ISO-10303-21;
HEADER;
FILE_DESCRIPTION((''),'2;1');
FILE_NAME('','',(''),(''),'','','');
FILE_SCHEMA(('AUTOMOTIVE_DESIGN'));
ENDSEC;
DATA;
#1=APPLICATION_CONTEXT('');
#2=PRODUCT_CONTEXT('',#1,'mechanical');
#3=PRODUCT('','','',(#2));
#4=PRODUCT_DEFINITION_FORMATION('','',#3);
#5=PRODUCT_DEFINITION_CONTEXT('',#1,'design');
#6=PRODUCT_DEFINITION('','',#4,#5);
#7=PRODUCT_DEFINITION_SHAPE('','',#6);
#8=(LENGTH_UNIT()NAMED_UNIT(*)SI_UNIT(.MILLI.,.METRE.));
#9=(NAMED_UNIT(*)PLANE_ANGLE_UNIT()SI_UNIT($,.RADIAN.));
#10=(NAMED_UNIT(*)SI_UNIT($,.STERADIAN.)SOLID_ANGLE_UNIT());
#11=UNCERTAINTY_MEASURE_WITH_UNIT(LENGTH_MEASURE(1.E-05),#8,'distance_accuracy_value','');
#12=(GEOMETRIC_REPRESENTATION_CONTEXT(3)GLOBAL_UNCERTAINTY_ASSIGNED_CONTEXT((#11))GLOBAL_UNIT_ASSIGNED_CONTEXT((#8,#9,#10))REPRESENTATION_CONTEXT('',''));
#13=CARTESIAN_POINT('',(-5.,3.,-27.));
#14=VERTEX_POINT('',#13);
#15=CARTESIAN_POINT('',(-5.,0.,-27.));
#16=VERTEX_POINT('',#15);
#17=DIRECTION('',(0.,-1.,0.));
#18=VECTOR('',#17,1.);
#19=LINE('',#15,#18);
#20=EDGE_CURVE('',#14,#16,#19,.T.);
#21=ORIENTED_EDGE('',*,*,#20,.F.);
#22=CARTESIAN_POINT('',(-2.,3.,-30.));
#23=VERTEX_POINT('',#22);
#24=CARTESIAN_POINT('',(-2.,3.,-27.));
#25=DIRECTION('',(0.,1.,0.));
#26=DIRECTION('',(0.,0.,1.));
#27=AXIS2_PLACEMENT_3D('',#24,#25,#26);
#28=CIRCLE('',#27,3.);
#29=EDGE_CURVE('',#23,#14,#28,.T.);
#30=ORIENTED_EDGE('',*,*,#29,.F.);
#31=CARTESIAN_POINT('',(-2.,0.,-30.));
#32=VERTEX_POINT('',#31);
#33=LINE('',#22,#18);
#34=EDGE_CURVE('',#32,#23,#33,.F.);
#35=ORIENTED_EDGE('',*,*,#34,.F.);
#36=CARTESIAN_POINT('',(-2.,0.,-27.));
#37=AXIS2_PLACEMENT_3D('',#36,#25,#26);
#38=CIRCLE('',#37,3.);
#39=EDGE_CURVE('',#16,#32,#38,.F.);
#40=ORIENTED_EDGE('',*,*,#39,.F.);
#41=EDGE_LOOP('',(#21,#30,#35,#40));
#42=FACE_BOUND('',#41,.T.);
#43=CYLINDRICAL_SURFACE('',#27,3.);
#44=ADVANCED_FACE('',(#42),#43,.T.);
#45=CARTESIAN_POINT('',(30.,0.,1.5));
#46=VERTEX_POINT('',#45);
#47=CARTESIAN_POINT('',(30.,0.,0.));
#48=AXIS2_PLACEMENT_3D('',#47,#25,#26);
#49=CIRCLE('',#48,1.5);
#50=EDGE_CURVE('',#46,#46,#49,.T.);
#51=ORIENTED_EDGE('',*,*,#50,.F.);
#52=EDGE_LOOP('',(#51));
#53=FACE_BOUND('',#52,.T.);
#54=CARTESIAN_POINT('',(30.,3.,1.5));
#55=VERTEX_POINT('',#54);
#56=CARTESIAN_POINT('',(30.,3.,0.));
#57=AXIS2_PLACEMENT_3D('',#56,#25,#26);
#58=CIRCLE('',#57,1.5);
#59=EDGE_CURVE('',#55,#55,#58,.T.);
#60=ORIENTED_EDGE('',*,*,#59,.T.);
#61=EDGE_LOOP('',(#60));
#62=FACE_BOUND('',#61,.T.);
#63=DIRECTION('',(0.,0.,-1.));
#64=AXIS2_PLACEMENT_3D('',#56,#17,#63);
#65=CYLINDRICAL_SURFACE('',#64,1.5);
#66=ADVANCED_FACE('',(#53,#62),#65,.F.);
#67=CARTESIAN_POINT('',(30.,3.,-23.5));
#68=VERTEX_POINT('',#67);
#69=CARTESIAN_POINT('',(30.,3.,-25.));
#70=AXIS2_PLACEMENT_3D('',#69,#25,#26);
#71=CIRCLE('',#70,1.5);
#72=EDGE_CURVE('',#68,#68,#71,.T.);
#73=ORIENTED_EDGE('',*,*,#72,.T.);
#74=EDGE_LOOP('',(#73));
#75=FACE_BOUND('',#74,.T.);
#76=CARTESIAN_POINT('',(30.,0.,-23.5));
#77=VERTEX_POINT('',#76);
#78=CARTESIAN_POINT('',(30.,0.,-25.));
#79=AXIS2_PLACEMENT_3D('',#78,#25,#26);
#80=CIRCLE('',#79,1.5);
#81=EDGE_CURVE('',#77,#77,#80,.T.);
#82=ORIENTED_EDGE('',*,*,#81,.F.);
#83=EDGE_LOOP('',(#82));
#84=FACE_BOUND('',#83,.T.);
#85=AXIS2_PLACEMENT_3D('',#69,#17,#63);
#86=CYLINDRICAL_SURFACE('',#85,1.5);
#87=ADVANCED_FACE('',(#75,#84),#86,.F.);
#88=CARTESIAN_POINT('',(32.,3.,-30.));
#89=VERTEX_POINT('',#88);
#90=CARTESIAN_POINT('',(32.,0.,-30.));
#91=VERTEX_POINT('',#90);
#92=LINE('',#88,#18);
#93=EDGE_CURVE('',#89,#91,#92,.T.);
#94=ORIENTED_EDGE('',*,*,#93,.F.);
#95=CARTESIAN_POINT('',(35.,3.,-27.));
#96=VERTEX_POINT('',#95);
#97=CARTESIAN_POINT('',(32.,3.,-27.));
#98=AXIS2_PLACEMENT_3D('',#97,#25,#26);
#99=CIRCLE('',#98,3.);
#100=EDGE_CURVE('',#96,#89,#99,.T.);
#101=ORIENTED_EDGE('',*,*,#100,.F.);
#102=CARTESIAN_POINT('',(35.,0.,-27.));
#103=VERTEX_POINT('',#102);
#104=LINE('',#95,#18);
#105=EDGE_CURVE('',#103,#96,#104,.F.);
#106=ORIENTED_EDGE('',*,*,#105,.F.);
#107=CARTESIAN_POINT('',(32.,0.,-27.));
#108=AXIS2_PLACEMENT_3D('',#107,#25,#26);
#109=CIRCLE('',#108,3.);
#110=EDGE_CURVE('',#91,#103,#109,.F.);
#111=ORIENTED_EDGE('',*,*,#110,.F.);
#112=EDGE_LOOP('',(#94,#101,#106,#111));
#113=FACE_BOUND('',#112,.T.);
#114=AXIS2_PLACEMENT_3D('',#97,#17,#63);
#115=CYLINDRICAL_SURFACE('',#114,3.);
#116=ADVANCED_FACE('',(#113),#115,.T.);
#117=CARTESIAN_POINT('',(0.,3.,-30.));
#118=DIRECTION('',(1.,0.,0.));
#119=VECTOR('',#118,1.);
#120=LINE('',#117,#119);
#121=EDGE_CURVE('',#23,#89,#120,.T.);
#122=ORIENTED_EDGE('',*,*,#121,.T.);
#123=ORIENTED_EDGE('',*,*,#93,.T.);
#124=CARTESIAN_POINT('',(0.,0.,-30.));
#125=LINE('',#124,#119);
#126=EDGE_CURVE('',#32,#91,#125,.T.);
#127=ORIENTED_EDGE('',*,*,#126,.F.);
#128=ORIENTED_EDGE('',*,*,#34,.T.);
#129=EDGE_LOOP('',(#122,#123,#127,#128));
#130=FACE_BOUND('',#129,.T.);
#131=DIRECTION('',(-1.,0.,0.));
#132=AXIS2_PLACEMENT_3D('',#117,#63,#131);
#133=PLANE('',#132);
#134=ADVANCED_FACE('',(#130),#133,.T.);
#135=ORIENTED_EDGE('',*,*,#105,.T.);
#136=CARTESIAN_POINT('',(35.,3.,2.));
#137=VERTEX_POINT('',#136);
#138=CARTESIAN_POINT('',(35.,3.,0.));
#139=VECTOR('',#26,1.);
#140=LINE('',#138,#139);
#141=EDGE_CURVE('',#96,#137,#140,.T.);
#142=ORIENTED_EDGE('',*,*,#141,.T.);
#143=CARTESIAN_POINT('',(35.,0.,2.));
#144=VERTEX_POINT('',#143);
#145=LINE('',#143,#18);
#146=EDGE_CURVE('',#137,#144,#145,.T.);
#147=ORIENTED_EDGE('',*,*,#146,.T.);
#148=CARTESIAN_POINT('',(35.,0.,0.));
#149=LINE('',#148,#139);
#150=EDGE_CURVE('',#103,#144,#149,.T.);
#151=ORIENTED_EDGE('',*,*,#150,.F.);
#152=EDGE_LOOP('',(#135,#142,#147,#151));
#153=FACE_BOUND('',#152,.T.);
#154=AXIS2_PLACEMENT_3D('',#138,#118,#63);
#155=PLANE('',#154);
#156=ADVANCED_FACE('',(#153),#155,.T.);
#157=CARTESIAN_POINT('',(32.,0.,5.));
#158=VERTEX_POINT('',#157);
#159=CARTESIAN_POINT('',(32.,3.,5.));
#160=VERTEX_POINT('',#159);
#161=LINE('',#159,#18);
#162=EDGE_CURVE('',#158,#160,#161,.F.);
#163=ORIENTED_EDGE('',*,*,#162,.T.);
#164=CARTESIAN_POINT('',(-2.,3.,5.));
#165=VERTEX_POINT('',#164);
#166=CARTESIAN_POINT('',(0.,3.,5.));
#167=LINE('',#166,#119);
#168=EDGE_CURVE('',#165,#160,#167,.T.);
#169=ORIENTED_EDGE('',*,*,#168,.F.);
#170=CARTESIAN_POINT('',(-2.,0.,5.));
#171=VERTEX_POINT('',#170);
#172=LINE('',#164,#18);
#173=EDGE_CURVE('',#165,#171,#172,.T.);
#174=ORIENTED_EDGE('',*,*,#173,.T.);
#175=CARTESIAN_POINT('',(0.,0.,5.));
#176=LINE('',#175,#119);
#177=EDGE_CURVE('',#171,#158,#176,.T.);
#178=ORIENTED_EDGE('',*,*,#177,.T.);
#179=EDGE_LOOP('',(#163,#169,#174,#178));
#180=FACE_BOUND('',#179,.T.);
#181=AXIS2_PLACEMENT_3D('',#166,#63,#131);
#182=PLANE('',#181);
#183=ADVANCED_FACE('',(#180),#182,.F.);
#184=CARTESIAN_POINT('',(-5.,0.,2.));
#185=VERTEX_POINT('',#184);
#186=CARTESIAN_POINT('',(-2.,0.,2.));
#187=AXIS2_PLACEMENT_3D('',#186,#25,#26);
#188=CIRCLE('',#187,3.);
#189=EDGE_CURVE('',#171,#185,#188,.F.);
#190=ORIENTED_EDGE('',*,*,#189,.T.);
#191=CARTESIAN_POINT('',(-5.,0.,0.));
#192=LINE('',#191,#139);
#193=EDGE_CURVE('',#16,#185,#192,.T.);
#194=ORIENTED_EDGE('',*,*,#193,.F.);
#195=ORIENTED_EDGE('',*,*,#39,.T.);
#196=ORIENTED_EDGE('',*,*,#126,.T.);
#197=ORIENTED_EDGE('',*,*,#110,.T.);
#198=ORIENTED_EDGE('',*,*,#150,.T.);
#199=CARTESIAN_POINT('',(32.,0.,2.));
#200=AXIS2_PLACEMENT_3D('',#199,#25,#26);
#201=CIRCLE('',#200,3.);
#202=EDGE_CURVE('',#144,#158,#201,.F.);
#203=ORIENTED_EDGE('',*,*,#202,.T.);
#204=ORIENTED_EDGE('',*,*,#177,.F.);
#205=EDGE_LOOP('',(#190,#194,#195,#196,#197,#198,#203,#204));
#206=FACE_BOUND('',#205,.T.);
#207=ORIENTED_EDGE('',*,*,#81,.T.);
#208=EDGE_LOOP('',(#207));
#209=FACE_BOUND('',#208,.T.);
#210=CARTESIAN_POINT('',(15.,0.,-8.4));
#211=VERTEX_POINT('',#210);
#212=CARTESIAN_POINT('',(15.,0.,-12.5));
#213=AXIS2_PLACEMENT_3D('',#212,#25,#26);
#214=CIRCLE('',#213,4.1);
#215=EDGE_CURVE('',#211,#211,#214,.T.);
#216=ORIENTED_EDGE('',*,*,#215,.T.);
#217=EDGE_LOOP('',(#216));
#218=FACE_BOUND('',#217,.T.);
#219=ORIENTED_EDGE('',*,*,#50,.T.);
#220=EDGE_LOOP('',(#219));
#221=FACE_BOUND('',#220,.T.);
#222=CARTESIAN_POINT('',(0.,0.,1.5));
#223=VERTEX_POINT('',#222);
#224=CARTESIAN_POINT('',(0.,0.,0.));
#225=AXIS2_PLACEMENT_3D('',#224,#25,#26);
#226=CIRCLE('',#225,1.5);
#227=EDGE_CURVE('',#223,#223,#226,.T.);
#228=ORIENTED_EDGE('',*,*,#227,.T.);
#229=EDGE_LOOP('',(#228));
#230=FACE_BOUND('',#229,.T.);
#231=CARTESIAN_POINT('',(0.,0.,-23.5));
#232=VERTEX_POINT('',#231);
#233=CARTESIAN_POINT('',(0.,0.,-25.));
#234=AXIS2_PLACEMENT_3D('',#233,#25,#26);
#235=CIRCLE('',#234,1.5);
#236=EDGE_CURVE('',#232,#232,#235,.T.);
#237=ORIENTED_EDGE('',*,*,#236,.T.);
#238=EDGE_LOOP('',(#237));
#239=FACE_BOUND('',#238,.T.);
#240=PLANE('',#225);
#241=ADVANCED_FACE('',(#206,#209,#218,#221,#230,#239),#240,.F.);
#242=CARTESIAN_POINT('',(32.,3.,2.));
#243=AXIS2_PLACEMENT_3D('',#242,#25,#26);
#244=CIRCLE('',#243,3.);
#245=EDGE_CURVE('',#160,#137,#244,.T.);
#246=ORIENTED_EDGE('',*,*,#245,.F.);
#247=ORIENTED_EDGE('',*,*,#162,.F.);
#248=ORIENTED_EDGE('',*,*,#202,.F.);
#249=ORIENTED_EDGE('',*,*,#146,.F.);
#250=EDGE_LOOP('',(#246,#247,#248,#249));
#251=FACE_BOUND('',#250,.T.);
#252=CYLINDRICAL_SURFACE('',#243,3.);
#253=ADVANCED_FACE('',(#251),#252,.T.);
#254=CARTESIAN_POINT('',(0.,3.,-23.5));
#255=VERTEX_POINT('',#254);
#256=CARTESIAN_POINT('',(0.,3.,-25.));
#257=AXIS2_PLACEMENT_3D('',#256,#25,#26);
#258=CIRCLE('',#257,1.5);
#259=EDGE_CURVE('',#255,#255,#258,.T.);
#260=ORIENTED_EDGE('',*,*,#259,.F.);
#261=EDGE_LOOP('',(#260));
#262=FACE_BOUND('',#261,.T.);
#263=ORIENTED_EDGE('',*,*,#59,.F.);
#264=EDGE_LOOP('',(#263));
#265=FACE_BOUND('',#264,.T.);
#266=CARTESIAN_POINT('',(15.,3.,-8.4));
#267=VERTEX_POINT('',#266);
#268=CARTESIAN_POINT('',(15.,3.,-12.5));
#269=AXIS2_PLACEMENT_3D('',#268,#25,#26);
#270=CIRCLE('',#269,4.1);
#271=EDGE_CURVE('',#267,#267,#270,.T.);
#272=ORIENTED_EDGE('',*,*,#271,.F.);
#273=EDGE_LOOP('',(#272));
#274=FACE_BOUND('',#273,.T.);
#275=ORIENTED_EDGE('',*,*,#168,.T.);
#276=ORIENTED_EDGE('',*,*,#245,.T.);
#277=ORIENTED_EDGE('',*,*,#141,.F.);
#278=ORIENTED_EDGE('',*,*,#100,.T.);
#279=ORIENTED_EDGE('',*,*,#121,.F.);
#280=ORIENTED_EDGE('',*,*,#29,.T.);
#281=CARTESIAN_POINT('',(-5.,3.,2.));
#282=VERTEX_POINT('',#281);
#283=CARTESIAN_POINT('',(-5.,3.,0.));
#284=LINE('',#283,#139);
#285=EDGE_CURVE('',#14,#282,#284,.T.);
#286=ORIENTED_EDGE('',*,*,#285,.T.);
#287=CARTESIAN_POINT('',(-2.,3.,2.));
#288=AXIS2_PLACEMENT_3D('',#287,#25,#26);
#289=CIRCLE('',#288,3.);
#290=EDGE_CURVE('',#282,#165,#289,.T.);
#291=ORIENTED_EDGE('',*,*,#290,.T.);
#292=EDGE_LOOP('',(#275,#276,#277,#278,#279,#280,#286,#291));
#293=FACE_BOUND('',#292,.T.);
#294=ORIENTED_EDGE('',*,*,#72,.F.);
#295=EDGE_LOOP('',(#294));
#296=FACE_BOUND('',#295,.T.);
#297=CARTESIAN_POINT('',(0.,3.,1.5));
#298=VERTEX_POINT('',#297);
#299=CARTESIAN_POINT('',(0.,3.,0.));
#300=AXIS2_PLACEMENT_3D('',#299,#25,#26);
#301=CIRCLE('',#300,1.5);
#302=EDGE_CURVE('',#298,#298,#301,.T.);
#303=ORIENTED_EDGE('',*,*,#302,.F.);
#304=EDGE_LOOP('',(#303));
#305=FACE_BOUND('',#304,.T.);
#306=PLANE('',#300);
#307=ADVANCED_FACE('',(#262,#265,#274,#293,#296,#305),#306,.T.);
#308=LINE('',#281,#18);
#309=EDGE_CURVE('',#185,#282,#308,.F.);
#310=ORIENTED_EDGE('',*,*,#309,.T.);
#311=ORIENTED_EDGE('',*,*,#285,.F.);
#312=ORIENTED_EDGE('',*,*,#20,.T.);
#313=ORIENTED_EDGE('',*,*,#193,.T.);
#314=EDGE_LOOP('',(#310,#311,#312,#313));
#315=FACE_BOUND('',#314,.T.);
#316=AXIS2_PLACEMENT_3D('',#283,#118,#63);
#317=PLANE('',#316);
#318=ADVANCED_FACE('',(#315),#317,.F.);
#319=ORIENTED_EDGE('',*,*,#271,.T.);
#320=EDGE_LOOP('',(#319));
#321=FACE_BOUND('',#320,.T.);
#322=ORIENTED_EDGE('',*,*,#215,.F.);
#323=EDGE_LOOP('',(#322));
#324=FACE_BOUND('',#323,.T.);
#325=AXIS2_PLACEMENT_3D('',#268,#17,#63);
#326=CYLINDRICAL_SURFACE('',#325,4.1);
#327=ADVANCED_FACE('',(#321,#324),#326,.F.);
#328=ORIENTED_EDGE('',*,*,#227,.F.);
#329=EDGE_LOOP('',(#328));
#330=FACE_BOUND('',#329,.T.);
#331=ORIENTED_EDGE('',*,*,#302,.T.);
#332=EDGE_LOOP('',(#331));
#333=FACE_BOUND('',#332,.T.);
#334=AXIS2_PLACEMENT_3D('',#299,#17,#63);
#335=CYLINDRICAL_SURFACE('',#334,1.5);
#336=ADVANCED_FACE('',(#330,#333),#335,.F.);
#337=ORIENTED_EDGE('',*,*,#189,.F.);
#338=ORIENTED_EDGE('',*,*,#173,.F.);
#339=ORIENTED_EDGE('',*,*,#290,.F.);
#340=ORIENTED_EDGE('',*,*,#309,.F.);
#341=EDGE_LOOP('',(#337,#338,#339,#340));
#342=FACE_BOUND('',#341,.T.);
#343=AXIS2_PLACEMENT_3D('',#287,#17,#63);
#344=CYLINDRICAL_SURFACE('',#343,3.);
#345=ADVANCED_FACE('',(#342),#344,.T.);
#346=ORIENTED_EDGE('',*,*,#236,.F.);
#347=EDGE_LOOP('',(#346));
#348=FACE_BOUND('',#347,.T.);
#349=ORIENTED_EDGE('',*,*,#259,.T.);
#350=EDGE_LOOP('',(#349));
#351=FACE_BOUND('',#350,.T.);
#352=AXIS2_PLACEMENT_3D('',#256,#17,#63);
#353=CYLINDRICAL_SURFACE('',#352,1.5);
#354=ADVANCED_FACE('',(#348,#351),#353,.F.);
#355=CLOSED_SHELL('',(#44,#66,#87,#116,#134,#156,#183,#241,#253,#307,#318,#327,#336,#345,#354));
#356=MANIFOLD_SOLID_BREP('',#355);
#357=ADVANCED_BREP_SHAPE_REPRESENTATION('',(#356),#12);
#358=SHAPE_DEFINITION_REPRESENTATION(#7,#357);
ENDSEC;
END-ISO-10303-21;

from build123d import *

# Parameters (mm, degrees)
SKETCH1_W           = 40
SKETCH1_H           = 35
SKETCH1_R           = 1.5
SKETCH1_R_2         = 4.1
BOSS_EXTRUDE1_DEPTH = 3
FILLET1_R           = 3


with BuildPart() as part:
    # Sketch1 → Boss-Extrude1 (new body)
    with BuildSketch(Plane(origin=(0, 0, 0), x_dir=(1, 0, 0), z_dir=(0, 1, 0))):
        with Locations((15, 12.5)):
            Rectangle(SKETCH1_W, SKETCH1_H)
        Circle(SKETCH1_R, mode=Mode.SUBTRACT)
        with Locations((30, 0)):
            Circle(SKETCH1_R, mode=Mode.SUBTRACT)
        with Locations((0, 25)):
            Circle(SKETCH1_R, mode=Mode.SUBTRACT)
        with Locations((30, 25)):
            Circle(SKETCH1_R, mode=Mode.SUBTRACT)
        with Locations((15, 12.5)):
            Circle(SKETCH1_R_2, mode=Mode.SUBTRACT)
    extrude(amount=BOSS_EXTRUDE1_DEPTH)

    # Fillet1
    fillet1_edges = [part.edges().sort_by_distance(p)[0] for p in [
        (35, 1.5, 5),
        (-5, 1.5, 5),
        (35, 1.5, -30),
        (-5, 1.5, -30),
    ]]
    fillet(fillet1_edges, radius=FILLET1_R)


solid = part.part
